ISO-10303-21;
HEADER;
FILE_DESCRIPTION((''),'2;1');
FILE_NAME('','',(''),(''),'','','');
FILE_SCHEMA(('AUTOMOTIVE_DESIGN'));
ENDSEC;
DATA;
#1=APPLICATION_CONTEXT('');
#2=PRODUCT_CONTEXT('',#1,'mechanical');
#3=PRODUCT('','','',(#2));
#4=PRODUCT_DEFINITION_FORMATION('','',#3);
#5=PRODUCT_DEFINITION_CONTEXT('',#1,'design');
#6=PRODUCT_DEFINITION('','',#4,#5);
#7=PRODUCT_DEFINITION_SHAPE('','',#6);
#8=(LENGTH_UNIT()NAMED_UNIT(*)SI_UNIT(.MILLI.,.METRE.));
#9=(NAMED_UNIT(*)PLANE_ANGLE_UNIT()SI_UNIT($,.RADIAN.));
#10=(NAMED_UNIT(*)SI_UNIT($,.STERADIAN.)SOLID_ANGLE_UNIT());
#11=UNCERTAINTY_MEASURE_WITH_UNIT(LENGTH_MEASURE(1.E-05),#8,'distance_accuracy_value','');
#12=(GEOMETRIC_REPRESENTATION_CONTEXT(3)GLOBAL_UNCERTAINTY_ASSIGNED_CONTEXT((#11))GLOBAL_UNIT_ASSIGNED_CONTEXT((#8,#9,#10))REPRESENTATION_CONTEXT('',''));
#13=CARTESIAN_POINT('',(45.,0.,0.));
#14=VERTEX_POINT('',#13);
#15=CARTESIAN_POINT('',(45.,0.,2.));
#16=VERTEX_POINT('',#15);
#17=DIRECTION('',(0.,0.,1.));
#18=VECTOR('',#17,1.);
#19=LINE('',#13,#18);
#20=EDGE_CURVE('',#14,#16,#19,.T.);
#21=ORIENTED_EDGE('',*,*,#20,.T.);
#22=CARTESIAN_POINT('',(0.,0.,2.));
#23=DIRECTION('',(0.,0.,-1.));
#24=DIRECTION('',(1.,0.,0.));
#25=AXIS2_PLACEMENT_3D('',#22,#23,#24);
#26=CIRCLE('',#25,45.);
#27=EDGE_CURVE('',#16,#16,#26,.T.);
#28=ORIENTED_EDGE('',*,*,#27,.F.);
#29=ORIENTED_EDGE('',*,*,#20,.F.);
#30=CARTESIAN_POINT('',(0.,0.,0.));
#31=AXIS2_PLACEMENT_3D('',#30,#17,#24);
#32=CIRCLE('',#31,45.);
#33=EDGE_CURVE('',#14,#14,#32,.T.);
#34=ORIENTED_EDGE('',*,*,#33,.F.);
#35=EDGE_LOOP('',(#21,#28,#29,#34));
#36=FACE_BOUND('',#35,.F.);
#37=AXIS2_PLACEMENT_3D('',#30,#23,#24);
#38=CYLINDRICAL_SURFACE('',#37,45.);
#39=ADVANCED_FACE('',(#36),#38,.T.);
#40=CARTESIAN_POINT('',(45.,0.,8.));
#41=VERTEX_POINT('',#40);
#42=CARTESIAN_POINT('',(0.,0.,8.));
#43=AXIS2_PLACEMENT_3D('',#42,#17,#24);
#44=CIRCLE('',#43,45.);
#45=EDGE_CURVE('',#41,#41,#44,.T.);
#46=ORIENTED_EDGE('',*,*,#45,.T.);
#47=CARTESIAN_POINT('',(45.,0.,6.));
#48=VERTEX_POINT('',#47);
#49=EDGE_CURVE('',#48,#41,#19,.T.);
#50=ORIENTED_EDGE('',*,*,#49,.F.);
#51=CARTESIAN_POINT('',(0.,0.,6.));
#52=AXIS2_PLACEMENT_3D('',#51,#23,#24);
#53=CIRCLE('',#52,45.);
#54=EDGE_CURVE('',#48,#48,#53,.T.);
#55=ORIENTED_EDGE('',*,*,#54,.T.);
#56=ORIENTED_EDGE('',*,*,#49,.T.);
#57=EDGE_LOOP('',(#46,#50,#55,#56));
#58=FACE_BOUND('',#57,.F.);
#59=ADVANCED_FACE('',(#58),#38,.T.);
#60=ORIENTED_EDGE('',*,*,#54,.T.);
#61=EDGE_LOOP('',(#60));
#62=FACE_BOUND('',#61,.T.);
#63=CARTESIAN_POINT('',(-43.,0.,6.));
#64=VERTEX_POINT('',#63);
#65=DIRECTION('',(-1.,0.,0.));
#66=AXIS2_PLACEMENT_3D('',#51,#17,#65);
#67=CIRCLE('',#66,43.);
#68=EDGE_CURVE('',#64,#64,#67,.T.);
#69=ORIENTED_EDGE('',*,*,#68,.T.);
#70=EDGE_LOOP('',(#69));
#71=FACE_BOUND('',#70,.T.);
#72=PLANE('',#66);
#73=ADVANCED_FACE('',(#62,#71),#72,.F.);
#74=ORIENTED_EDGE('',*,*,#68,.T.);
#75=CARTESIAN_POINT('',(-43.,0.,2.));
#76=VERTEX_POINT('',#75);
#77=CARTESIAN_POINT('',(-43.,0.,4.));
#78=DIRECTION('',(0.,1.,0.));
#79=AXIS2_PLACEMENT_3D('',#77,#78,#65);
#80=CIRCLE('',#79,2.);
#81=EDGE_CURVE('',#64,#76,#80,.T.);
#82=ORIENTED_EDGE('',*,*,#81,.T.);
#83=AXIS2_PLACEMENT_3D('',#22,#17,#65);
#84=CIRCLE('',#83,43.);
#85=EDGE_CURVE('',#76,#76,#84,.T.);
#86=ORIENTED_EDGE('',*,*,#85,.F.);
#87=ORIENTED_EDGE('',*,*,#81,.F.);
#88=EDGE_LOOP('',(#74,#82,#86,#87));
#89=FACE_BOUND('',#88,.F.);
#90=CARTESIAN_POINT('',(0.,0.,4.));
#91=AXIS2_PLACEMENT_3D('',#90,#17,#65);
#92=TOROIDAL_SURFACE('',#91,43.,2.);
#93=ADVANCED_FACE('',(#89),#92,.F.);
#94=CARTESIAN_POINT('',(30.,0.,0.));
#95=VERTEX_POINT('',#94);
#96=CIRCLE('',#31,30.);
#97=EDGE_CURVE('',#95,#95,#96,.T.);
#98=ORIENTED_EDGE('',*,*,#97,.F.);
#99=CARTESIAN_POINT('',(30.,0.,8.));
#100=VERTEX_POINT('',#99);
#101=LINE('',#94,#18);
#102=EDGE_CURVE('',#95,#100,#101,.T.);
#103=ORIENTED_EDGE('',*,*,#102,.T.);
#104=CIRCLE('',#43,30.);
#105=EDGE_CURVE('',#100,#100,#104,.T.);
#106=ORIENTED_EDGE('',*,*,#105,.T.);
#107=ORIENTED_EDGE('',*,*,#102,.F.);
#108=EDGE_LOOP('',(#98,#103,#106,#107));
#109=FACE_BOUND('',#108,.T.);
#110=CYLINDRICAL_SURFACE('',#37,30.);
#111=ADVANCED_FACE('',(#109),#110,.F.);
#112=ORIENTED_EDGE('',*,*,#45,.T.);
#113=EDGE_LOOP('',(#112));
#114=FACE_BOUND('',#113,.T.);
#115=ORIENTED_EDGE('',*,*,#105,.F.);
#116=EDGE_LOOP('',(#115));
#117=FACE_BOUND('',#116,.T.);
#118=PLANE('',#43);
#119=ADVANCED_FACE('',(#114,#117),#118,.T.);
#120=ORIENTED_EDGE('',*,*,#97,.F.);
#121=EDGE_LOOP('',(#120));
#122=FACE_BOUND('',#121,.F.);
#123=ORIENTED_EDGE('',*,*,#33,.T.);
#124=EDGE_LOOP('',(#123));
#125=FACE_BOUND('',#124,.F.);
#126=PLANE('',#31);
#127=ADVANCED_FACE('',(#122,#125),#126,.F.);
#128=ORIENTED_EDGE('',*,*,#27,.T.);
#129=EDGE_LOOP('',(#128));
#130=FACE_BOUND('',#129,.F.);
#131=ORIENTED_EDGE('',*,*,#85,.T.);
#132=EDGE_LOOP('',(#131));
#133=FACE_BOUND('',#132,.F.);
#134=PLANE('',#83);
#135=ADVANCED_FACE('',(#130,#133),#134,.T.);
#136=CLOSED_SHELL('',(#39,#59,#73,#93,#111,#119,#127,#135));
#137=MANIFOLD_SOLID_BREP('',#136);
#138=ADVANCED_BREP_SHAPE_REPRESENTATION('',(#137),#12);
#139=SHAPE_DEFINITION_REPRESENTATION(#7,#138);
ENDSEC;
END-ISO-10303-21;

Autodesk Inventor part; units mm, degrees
ref_plane "YZ Plane" through (0, 0, 0) normal (1, 0, 0) x (0, 1, 0)
ref_plane "XZ Plane" through (0, 0, 0) normal (0, 1, 0) x (-1, 0, 0)
ref_plane "XY Plane" through (0, 0, 0) normal (0, 0, 1) x (1, 0, 0)
sketch "Эскиз1" plane through (0, 0, 0) normal (0, 0, 1) x (1, 0, 0)
  circle A0 centre (0, 0) radius 30
  circle A1 centre (0, 0) radius 45
  dimension "d0" = 60
  dimension "d1" = 90
extrude "Выдавливание1" add sketch "Эскиз1" along normal blind 8
sketch "Эскиз2" plane through (0, 0, 0) normal (0, 1, 0) x (-1, 0, 0)
  line L0 (45, 0) -> (45, 8) projected
  line L1 (0, -1.6) -> (0, 9.6) projected
  line L2 (45, 0) -> (45, 8) projected
  line L3 (45, 4) -> (43, 4)
  circle A0 centre (43, 4) radius 2
  line L4 (43, 6) -> (45, 6)
  line L5 (43, 2) -> (45, 2)
  line L6 (45, 0) -> (45, 8) projected
  point P0 (0, 0)
  dimension "d6" = 2
  dimension "d7" = 4
revolve "Вращение1" cut sketch "Эскиз2" angle 360 about axis through (0, 0, -10) along (0, 0, 1)
properties part number "Дроссельное кольцо" material "Сталь, высокопрочная, низколегированная"
